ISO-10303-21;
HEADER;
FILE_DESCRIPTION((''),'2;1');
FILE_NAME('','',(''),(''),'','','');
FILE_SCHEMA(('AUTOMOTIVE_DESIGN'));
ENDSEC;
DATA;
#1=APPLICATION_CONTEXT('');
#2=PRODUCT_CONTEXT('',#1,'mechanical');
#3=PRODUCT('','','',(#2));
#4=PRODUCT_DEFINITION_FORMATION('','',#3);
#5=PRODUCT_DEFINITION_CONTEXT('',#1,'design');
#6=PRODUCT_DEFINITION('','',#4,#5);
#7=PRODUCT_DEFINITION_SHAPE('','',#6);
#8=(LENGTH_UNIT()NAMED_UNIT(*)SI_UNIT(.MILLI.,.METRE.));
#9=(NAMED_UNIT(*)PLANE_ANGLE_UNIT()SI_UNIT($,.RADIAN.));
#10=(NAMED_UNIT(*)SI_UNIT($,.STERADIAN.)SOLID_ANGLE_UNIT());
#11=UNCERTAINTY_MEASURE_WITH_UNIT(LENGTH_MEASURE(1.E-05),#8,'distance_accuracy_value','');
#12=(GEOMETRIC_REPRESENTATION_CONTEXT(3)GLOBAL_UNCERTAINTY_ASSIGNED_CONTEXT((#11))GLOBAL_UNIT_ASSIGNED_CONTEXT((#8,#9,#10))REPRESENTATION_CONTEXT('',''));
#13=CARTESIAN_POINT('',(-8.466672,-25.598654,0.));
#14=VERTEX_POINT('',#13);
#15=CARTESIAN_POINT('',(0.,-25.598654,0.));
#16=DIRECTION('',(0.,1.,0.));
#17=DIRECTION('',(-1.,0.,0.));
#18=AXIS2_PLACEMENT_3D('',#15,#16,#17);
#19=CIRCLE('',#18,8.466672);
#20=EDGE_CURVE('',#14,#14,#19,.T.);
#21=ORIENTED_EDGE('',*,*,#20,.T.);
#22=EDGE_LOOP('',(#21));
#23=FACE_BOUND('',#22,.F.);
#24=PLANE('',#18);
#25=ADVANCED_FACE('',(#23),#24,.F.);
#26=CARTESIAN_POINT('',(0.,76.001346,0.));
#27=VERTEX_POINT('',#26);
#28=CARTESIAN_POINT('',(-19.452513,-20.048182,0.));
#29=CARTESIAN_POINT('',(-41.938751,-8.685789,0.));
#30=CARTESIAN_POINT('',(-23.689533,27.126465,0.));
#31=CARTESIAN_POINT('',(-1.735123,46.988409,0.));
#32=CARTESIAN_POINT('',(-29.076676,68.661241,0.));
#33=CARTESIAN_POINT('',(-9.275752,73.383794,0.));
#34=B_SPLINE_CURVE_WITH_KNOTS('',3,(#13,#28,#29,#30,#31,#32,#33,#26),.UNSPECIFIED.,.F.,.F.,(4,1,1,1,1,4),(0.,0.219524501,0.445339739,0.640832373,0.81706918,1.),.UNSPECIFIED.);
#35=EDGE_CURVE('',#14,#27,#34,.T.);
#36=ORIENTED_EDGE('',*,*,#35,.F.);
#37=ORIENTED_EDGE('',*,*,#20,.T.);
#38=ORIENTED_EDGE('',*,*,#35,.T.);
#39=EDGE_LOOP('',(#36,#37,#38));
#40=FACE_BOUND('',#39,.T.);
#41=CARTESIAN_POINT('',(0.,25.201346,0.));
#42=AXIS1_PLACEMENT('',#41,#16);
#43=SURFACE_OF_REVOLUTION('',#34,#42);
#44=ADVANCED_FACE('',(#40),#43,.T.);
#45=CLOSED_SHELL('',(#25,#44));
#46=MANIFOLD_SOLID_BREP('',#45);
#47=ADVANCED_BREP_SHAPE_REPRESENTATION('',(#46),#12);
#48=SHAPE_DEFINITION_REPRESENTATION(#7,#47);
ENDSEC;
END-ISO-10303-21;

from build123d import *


with BuildPart() as f1:
    # F0 (on Top) → F1 (revolve)
    with BuildSketch(Plane.XY):
        with BuildLine():
            add(Edge.make_bspline(
                [(-8.466671773, -25.5986542061), (-19.4525131403, -20.0481819399), (-41.9387514679, -8.6857885087), (-23.689533096, 27.1264651973), (-1.7351231687, 46.9884089085), (-29.0766763484, 68.6612407269), (-9.2757520087, 73.3837942832), (0, 76.0013457939)],
                knots=[0, 0, 0, 0, 0.219524501, 0.4453397386, 0.6408323735, 0.8170691796, 1, 1, 1, 1], degree=3))
            Line((-8.466671773, -25.5986542061), (0, -25.5986542061))
            Line((0, -25.5986542061), (0, 76.0013457939))
        make_face()
    revolve(axis=Axis((0, 25.2013457939, 0), (0, 1, 0)))


solid = f1.part
